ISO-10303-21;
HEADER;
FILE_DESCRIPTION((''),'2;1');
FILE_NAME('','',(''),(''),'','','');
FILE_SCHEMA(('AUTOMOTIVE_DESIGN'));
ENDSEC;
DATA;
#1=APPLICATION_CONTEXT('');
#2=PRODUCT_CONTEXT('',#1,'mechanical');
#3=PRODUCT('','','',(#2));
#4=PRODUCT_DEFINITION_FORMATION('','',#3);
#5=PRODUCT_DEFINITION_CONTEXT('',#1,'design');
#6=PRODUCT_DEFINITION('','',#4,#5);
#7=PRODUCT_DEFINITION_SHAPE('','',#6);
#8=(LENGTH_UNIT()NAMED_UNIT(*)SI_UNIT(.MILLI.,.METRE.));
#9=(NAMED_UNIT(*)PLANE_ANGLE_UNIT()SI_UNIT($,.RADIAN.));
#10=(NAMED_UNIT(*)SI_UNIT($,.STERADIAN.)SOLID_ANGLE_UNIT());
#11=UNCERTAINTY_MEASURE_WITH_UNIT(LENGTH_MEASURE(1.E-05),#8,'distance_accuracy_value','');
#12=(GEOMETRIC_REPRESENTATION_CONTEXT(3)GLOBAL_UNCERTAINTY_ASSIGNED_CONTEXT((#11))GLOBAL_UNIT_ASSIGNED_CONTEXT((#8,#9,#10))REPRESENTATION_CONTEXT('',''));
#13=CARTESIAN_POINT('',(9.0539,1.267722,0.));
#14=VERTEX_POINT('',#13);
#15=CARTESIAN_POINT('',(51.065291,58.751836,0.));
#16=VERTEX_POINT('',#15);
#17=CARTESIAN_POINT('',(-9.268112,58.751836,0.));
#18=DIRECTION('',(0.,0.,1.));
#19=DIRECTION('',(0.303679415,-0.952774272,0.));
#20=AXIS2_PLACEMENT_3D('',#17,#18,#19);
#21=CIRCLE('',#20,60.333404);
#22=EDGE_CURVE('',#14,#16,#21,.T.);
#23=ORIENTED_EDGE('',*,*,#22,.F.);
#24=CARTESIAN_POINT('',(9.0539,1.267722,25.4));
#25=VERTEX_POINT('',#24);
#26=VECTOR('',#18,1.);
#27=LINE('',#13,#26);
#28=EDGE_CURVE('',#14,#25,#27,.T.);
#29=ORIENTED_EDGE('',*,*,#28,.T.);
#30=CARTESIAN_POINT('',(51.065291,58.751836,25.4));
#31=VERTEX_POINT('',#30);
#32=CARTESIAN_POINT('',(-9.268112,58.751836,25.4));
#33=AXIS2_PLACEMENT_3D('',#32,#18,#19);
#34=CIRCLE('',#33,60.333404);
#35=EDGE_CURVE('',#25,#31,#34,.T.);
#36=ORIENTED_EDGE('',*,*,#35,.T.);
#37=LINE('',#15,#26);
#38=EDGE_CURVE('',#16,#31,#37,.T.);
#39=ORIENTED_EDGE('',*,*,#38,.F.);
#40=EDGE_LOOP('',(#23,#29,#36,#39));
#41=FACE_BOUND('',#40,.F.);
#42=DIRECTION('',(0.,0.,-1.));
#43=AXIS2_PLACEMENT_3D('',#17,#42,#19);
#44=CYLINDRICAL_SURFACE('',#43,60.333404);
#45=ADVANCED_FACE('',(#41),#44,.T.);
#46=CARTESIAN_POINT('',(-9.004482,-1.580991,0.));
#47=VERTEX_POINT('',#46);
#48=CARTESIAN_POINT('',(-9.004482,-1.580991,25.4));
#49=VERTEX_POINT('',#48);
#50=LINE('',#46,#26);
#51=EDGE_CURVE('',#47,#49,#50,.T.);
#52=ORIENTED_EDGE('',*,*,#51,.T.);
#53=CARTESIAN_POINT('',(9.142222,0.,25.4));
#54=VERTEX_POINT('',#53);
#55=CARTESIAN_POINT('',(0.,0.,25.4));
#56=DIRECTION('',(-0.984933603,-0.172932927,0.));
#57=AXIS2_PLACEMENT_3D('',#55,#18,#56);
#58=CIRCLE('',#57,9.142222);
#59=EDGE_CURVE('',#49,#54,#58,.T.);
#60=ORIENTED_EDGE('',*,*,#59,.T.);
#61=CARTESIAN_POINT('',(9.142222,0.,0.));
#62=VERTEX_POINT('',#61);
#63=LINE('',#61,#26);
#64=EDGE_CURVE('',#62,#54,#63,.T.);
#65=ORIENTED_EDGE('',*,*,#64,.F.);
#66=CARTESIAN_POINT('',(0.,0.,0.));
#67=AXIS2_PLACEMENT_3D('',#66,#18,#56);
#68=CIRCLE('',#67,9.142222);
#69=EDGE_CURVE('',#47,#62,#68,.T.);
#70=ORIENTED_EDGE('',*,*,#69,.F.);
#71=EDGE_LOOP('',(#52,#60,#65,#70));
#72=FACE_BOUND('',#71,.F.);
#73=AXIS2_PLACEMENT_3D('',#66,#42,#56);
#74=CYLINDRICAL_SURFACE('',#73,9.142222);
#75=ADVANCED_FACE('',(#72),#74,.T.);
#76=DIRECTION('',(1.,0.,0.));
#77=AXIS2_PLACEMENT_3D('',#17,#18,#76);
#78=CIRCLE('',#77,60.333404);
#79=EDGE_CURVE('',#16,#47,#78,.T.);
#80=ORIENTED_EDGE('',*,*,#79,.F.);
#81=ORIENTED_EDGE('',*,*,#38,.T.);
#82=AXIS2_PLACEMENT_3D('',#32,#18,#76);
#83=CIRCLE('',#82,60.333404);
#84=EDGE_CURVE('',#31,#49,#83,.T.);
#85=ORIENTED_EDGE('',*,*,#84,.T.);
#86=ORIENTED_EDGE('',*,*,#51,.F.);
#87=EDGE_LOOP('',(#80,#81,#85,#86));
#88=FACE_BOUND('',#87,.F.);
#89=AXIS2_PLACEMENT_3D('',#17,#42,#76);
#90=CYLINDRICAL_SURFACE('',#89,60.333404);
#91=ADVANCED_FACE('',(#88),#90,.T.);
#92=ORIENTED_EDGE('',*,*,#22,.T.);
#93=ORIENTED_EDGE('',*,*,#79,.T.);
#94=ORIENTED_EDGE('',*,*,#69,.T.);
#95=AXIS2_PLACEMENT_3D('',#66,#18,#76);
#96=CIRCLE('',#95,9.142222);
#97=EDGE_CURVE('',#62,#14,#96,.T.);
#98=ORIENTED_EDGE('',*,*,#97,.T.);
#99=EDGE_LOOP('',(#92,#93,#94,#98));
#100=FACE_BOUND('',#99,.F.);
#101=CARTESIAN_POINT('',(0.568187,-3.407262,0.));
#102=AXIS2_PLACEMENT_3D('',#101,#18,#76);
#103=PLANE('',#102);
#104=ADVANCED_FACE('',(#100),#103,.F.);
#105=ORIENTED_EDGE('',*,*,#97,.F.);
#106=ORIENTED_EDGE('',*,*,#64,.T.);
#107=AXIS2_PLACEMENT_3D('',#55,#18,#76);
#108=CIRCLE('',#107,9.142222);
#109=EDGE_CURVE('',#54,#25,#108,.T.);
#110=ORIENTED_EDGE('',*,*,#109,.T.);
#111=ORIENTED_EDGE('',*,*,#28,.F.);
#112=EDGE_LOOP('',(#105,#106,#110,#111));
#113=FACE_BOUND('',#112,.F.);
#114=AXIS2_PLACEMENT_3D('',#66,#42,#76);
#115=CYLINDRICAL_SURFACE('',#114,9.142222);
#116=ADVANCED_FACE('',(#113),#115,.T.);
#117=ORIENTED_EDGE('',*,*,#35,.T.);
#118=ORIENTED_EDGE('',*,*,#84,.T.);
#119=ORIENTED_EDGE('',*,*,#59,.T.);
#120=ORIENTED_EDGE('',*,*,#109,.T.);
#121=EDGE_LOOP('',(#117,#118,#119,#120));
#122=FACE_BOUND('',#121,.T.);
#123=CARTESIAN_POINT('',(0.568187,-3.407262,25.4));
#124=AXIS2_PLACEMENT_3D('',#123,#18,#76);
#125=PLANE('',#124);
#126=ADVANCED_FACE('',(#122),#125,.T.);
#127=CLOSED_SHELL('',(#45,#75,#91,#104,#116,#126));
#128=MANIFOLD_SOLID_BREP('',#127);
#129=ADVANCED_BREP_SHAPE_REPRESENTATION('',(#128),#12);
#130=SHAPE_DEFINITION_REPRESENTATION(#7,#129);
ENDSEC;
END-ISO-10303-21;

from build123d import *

# Parameters (mm, degrees)
F1_DEPTH = 25.4


with BuildPart() as f1:
    # F0 (on Top) → F1 (new body)
    with BuildSketch(Plane.XY):
        with BuildLine():
            ThreePointArc((-9.0044819055, -1.5809912491), (0.7934900335, -9.1077220689), (9.1422222527, 0))
            ThreePointArc((9.1422222527, 0), (9.1201150184, 0.6353973312), (9.0539002326, 1.2677216946))
            ThreePointArc((9.0539002326, 1.2677216946), (0.1332345223, -0.8445919139), (-9.0044819055, -1.5809912491))
        make_face()
        with BuildLine():
            ThreePointArc((-9.0044819055, -1.5809912491), (0.1332345223, -0.8445919139), (9.0539002326, 1.2677216946))
            ThreePointArc((9.0539002326, 1.2677216946), (-1.4245707781, 9.0305495855), (-9.0044819055, -1.5809912491))
        make_face()
        with BuildLine():
            ThreePointArc((-9.0044819055, -1.5809912491), (-1.4245707781, 9.0305495855), (9.0539002326, 1.2677216946))
            ThreePointArc((9.0539002326, 1.2677216946), (39.4430206624, 23.152045641), (51.0652911655, 58.7518364191))
            ThreePointArc((51.0652911655, 58.7518364191), (-52.0233772174, 101.3206857436), (-9.0044819055, -1.5809912491))
        make_face()
    extrude(amount=F1_DEPTH)


solid = f1.part
